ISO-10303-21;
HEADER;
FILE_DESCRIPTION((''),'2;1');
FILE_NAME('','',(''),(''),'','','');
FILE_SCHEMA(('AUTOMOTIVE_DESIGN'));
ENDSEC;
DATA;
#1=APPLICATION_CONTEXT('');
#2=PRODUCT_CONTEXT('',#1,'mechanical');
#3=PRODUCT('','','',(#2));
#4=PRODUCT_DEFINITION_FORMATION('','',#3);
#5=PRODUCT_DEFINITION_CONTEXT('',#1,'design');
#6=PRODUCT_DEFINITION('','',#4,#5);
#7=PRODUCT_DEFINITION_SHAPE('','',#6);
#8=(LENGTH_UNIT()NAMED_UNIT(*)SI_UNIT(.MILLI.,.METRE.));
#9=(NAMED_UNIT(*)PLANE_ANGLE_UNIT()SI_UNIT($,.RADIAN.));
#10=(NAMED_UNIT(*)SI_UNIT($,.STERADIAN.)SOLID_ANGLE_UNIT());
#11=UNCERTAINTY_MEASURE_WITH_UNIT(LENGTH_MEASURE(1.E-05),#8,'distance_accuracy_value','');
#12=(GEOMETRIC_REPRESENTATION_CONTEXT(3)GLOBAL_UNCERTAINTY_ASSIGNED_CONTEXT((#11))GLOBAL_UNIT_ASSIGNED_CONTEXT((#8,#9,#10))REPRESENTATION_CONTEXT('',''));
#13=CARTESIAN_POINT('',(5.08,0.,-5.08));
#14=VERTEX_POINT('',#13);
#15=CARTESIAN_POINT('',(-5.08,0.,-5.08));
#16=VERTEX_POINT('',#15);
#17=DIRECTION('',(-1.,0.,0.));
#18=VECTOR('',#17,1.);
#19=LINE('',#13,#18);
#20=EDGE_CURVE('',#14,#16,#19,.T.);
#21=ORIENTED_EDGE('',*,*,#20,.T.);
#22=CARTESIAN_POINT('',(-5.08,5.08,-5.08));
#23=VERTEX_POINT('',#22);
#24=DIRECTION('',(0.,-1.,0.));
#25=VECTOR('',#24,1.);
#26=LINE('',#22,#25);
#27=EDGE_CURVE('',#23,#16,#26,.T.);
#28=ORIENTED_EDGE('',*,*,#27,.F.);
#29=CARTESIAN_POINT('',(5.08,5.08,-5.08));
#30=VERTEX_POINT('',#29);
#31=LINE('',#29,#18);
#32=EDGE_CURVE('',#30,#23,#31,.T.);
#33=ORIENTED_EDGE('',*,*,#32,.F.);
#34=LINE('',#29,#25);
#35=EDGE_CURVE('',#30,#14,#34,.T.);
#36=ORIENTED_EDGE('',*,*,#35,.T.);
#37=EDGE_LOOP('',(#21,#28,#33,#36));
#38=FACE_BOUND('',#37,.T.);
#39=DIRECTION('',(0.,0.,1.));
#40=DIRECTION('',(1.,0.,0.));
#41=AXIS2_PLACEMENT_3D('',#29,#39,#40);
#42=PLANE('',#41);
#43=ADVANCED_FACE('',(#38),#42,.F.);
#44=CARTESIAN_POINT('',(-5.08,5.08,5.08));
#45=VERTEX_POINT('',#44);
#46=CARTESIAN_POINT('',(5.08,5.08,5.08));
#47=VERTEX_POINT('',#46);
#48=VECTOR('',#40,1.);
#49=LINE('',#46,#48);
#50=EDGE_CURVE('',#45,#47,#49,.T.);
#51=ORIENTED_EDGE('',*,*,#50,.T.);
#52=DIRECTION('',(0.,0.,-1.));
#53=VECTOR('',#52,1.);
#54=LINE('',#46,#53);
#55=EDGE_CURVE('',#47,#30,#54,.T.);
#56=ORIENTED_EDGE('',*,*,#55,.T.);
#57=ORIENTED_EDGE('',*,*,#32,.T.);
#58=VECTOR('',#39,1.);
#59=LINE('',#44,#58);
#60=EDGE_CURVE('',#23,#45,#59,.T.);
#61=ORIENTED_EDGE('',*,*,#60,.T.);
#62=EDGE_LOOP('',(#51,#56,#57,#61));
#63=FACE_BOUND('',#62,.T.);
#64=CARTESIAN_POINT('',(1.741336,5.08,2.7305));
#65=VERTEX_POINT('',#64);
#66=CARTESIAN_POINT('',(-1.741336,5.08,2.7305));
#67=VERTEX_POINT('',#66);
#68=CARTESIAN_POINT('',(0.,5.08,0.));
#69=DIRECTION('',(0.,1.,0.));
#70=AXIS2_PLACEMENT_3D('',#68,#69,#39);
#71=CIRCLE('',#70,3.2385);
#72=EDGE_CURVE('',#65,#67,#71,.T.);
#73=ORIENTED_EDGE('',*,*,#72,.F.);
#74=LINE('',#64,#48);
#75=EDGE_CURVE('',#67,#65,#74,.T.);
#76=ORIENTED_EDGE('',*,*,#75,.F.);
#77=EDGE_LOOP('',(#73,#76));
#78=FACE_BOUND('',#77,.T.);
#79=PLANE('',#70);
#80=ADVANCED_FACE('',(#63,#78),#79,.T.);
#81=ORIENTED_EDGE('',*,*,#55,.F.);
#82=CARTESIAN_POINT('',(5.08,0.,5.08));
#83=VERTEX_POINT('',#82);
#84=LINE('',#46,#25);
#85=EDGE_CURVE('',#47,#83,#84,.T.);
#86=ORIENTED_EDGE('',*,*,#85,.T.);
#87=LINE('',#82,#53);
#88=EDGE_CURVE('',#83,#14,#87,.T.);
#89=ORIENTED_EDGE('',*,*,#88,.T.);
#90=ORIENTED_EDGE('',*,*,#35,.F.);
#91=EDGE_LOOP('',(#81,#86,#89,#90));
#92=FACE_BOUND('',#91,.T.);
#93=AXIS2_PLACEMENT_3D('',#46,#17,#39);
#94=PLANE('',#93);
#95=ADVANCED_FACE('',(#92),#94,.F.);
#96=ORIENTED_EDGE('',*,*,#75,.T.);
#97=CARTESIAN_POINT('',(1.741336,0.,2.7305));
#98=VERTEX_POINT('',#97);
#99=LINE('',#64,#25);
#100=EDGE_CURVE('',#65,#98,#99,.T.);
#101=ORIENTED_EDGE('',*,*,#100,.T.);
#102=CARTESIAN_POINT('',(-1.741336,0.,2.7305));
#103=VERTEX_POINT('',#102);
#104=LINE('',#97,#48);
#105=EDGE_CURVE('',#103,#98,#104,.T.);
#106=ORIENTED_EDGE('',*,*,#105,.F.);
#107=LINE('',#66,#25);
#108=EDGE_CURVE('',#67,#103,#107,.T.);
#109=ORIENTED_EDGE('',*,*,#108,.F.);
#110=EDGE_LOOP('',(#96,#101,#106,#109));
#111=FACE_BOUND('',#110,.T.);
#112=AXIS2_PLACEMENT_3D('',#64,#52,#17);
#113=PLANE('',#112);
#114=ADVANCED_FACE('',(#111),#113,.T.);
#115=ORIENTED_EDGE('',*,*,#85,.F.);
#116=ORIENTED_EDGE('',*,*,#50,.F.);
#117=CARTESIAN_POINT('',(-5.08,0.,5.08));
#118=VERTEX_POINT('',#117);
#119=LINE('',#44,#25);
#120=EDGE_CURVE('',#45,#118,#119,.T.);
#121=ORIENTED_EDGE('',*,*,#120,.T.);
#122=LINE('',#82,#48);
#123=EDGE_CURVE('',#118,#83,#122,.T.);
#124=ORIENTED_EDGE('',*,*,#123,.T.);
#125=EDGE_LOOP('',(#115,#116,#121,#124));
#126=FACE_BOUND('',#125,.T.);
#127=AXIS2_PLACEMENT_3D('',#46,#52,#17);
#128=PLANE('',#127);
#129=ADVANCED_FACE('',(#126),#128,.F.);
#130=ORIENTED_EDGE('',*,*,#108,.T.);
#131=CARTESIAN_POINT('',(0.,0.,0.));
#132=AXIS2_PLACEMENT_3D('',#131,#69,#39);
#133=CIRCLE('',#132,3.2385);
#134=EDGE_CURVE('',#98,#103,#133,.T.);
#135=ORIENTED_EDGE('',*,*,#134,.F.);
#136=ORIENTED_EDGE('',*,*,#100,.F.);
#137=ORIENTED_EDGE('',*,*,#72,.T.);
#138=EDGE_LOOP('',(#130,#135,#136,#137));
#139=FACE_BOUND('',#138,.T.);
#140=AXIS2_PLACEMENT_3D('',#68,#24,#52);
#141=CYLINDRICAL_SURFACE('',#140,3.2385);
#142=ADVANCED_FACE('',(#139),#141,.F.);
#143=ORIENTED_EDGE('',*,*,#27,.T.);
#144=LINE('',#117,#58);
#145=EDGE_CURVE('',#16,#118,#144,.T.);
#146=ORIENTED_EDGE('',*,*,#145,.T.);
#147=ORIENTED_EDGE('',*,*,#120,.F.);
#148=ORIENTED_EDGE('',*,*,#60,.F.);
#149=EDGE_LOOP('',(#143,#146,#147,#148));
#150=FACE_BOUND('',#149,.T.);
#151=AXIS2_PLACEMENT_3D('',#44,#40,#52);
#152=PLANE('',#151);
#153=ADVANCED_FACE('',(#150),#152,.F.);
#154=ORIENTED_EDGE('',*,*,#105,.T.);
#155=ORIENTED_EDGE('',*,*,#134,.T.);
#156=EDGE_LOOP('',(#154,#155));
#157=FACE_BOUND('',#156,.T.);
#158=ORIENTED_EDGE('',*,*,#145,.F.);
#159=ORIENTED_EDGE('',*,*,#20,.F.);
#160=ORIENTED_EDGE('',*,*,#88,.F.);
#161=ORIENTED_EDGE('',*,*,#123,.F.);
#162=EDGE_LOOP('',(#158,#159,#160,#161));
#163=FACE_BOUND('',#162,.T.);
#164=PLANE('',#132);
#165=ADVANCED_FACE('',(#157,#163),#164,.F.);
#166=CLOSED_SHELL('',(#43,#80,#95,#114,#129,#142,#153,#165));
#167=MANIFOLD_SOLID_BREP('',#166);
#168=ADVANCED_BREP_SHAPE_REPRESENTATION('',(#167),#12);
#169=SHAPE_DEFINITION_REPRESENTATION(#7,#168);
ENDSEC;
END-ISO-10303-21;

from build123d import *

# Parameters (mm, degrees)
SKETCH1_W           = 10.16
SKETCH1_H           = 10.16
BOSS_EXTRUDE1_DEPTH = 5.08


with BuildPart() as part:
    # Sketch1 → Boss-Extrude1 (new body)
    with BuildSketch(Plane(origin=(0, 0, 0), x_dir=(1, 0, 0), z_dir=(0, 1, 0))):
        Rectangle(SKETCH1_W, SKETCH1_H)
        with BuildLine():
            Line((1.741336269, -2.7305), (-1.741336269, -2.7305))
            ThreePointArc((-1.741336269, -2.7305), (0, 3.2385), (1.741336269, -2.7305))
        make_face(mode=Mode.SUBTRACT)
    extrude(amount=BOSS_EXTRUDE1_DEPTH)


solid = part.part
